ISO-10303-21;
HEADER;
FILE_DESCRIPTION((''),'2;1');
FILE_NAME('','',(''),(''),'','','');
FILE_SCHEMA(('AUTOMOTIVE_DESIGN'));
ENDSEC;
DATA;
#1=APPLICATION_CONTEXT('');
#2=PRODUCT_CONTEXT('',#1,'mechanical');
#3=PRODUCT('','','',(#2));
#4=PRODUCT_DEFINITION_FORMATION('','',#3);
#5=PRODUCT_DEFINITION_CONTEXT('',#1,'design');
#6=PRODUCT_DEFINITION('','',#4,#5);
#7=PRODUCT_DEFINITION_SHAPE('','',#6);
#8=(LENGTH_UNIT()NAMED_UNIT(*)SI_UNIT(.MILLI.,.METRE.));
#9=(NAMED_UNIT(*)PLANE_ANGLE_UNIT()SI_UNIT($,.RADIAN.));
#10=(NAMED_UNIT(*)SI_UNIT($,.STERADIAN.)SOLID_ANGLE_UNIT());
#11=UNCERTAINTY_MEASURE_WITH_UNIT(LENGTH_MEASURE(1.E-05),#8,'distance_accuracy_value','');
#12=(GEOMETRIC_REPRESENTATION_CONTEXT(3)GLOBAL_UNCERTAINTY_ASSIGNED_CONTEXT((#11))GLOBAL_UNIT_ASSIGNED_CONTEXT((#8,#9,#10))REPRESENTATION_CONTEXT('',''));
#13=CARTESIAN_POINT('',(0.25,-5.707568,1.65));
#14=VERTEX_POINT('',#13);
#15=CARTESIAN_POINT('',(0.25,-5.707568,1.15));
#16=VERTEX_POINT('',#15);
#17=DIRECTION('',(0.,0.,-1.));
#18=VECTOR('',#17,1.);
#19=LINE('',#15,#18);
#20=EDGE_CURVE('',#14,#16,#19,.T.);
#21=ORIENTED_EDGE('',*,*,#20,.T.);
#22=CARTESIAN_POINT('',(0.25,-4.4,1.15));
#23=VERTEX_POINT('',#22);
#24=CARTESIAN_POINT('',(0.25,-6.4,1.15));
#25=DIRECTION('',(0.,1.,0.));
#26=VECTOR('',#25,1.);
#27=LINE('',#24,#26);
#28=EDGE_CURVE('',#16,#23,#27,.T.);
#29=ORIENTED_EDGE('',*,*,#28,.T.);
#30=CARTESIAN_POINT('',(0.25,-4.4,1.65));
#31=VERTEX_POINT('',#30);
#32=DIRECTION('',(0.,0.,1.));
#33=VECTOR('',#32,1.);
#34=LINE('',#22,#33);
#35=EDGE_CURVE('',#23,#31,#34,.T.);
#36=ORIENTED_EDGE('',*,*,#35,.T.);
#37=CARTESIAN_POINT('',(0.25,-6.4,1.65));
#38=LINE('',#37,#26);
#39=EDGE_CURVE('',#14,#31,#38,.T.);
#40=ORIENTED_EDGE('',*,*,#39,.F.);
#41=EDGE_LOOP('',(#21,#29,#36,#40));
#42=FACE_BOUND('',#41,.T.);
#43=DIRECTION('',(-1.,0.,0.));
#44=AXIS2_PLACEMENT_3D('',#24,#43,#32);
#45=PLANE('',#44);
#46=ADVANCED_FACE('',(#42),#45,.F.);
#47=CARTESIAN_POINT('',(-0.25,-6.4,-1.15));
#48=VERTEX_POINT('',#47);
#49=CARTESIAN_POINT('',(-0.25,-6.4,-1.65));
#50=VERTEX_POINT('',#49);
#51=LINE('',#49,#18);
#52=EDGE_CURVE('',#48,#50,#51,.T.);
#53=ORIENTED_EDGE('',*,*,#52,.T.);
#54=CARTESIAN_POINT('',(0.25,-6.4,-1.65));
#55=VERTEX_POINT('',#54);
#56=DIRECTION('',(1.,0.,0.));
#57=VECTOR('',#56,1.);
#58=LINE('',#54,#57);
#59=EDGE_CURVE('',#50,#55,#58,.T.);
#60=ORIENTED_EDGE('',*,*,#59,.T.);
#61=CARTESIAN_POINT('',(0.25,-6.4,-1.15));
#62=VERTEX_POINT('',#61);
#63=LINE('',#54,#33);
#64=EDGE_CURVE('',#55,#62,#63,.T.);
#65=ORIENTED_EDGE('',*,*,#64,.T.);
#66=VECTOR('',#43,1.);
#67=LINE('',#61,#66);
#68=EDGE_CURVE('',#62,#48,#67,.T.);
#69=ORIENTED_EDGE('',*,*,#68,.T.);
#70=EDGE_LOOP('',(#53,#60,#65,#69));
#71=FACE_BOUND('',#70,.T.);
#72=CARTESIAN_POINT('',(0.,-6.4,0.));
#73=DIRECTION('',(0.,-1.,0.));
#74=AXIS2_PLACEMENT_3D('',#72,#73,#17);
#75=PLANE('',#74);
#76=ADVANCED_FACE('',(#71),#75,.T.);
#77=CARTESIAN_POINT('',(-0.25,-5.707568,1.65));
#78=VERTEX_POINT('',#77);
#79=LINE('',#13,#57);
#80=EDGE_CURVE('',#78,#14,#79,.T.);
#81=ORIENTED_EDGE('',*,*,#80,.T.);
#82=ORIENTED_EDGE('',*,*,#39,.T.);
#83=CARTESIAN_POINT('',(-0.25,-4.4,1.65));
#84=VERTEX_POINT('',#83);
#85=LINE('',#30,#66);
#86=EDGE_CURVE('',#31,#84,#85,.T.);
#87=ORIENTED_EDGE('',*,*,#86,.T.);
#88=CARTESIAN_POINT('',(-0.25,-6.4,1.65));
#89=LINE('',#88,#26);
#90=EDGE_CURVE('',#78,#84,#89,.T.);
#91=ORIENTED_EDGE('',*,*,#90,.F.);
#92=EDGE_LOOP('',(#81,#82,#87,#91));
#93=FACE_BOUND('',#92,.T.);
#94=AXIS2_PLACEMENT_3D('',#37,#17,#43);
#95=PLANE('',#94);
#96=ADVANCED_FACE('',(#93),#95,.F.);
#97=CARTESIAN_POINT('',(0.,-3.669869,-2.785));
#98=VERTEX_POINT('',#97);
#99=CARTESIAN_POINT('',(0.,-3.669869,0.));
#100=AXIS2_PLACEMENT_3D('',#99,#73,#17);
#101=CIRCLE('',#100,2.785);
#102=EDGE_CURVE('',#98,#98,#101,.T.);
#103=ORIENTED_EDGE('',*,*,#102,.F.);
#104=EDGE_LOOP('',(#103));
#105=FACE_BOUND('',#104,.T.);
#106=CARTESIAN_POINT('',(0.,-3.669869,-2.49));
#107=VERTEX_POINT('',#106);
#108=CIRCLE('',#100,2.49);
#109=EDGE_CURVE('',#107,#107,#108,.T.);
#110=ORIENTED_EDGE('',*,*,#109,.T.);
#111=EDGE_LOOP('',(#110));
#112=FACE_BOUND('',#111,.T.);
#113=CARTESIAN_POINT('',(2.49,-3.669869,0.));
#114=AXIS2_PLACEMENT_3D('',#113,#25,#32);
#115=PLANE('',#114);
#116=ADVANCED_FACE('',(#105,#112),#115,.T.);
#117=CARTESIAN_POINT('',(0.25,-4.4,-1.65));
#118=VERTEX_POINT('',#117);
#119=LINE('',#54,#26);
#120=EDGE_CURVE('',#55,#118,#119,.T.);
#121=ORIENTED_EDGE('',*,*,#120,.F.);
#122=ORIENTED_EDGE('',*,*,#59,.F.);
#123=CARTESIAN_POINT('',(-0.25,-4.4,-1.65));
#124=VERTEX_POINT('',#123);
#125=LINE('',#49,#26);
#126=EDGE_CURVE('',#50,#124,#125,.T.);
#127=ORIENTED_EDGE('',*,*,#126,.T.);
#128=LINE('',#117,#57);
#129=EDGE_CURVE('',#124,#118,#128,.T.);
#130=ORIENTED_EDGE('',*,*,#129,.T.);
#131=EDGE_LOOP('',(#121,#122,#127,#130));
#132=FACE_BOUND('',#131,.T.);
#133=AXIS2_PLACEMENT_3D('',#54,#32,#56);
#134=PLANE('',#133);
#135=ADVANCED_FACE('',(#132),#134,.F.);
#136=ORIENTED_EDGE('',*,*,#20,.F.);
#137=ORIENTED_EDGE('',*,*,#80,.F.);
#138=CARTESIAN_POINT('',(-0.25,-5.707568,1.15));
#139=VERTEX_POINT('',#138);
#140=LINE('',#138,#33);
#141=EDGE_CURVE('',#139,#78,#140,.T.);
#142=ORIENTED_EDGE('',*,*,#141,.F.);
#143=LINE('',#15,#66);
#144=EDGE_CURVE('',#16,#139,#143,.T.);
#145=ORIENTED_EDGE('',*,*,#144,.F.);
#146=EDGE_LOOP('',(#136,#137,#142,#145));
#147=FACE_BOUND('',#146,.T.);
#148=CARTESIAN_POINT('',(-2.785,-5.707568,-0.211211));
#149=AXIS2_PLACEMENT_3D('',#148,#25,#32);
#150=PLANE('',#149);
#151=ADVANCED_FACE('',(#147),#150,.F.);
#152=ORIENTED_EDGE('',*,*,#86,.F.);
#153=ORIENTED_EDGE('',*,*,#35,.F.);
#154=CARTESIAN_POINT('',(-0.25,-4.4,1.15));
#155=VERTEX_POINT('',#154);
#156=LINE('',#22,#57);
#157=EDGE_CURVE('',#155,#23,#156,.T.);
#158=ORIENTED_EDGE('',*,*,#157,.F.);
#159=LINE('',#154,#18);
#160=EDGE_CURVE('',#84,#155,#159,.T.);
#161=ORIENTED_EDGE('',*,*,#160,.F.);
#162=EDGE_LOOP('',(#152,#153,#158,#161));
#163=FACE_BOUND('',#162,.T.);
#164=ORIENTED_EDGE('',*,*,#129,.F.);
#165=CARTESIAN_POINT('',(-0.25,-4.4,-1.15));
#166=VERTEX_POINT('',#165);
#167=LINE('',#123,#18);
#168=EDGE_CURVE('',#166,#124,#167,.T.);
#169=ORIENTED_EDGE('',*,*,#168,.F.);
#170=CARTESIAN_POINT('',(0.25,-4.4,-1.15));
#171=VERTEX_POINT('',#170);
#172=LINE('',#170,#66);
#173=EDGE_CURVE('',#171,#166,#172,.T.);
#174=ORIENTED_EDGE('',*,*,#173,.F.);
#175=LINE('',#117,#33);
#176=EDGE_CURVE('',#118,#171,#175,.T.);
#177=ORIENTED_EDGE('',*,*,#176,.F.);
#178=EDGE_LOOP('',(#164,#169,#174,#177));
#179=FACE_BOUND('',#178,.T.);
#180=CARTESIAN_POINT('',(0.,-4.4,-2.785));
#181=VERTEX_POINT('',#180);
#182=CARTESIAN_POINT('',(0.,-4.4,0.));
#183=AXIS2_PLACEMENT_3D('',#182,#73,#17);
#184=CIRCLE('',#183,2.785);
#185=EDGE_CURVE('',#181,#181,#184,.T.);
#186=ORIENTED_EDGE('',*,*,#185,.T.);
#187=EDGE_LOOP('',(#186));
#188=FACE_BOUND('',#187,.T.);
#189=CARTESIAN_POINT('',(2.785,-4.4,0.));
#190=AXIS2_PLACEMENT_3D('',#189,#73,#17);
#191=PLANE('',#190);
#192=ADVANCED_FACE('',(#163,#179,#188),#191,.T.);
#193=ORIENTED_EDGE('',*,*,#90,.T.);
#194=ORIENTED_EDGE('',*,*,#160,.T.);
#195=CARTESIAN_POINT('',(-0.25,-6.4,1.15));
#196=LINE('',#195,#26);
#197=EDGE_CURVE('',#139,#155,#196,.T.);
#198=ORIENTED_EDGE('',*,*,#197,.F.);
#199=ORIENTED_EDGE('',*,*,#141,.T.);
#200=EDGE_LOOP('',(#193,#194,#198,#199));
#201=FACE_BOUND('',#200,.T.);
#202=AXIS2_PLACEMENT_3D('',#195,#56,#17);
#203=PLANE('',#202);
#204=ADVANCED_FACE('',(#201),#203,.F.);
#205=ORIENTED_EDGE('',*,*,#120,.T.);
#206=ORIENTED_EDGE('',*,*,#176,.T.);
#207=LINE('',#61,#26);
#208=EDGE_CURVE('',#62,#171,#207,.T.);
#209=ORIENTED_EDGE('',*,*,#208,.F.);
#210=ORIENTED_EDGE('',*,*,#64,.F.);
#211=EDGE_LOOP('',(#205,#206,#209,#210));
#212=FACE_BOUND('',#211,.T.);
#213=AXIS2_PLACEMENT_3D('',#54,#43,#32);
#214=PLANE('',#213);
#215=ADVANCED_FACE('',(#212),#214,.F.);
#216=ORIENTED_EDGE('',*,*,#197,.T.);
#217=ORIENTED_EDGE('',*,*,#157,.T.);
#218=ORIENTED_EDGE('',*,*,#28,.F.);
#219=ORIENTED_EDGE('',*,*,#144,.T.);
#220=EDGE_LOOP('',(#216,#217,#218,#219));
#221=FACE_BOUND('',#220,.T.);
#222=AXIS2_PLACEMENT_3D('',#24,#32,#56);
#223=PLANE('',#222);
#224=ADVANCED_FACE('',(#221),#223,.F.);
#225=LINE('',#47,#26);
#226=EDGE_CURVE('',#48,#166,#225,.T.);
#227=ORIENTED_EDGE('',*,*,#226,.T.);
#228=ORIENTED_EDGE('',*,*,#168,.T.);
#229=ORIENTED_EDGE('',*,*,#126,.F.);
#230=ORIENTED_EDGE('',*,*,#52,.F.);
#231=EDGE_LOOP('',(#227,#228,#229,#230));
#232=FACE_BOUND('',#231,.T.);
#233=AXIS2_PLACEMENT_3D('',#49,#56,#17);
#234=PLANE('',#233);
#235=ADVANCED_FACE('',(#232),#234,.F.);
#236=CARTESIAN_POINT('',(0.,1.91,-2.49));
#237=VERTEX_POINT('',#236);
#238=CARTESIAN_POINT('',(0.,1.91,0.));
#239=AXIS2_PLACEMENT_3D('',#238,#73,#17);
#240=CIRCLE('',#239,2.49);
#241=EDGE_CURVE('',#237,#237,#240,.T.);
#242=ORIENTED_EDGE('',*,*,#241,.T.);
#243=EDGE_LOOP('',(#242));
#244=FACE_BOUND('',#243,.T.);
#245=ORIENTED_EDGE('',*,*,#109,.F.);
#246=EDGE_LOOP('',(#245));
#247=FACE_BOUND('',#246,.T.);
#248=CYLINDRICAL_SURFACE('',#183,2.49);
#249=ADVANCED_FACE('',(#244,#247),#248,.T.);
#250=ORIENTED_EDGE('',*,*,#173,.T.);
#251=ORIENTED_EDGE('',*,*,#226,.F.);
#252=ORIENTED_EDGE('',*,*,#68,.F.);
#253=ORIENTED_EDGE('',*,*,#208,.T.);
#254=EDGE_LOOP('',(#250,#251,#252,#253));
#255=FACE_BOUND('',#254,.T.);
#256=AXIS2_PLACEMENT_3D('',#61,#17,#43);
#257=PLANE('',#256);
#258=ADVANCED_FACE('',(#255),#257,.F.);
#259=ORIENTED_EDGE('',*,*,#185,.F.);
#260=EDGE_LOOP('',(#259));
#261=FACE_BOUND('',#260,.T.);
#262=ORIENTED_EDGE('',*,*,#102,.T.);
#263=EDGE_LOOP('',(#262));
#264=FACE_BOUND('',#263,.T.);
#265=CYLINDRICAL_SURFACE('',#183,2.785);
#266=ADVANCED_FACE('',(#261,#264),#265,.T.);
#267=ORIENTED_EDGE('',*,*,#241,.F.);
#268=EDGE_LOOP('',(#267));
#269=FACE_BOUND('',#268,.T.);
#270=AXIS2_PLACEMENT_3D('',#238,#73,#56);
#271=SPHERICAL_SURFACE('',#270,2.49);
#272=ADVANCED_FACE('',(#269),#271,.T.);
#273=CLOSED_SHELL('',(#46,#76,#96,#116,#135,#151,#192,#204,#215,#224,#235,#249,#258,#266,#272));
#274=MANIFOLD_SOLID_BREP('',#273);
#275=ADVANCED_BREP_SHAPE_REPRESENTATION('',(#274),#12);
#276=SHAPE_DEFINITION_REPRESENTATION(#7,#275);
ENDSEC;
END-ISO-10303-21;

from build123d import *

# Parameters (mm, degrees)
SKETCH2_W               = 0.5
SKETCH2_H               = 0.5
BOSS_EXTRUDE1_DEPTH     = 2
CUT_EXTRUDE1_DEPTH      = 8.611008475
CUT_EXTRUDE1_DEPTH_BACK = 8.611008475
SKETCH3_W               = 3.125046629
SKETCH3_H               = 2.55575519


with BuildPart() as part:
    # Sketch1 → Revolve1 (revolve)
    with BuildSketch(Plane.XY, mode=Mode.PRIVATE) as revolve1_sk:
        with BuildLine():
            Line((0, -4.4), (0, 4.4))
            ThreePointArc((0, 4.4), (1.760695885, 3.670695885), (2.49, 1.91))
            Line((2.49, 1.91), (2.49, -3.669868996))
            Line((2.49, -3.669868996), (2.785, -3.669868996))
            Line((2.785, -3.669868996), (2.785, -4.4))
            Line((2.785, -4.4), (0, -4.4))
        make_face()
    revolve(revolve1_sk.sketch.rotate(Axis((0, -4.4, 0), (0, 1, 0)), 90), axis=Axis((0, -4.4, 0), (0, 1, 0)))

    # Sketch2 → Boss-Extrude1 (add)
    with BuildSketch(Plane.XZ.offset(4.4)):
        with Locations((0, -1.4)):
            Rectangle(SKETCH2_W, SKETCH2_H)
        with Locations((0, 1.4)):
            Rectangle(SKETCH2_W, SKETCH2_H)
    extrude(amount=BOSS_EXTRUDE1_DEPTH)

    # Sketch3 → Cut-Extrude1 (cut, two sides: drawn at the far end of the back side and taken through both)
    with BuildSketch(Plane(origin=(0.25, 0, 0), x_dir=(0, 0, -1), z_dir=(1, 0, 0)).offset(-CUT_EXTRUDE1_DEPTH_BACK)):
        with Locations((-1.351312101, -6.985445416)):
            Rectangle(SKETCH3_W, SKETCH3_H)
    extrude(amount=CUT_EXTRUDE1_DEPTH + CUT_EXTRUDE1_DEPTH_BACK, mode=Mode.SUBTRACT)


solid = part.part
